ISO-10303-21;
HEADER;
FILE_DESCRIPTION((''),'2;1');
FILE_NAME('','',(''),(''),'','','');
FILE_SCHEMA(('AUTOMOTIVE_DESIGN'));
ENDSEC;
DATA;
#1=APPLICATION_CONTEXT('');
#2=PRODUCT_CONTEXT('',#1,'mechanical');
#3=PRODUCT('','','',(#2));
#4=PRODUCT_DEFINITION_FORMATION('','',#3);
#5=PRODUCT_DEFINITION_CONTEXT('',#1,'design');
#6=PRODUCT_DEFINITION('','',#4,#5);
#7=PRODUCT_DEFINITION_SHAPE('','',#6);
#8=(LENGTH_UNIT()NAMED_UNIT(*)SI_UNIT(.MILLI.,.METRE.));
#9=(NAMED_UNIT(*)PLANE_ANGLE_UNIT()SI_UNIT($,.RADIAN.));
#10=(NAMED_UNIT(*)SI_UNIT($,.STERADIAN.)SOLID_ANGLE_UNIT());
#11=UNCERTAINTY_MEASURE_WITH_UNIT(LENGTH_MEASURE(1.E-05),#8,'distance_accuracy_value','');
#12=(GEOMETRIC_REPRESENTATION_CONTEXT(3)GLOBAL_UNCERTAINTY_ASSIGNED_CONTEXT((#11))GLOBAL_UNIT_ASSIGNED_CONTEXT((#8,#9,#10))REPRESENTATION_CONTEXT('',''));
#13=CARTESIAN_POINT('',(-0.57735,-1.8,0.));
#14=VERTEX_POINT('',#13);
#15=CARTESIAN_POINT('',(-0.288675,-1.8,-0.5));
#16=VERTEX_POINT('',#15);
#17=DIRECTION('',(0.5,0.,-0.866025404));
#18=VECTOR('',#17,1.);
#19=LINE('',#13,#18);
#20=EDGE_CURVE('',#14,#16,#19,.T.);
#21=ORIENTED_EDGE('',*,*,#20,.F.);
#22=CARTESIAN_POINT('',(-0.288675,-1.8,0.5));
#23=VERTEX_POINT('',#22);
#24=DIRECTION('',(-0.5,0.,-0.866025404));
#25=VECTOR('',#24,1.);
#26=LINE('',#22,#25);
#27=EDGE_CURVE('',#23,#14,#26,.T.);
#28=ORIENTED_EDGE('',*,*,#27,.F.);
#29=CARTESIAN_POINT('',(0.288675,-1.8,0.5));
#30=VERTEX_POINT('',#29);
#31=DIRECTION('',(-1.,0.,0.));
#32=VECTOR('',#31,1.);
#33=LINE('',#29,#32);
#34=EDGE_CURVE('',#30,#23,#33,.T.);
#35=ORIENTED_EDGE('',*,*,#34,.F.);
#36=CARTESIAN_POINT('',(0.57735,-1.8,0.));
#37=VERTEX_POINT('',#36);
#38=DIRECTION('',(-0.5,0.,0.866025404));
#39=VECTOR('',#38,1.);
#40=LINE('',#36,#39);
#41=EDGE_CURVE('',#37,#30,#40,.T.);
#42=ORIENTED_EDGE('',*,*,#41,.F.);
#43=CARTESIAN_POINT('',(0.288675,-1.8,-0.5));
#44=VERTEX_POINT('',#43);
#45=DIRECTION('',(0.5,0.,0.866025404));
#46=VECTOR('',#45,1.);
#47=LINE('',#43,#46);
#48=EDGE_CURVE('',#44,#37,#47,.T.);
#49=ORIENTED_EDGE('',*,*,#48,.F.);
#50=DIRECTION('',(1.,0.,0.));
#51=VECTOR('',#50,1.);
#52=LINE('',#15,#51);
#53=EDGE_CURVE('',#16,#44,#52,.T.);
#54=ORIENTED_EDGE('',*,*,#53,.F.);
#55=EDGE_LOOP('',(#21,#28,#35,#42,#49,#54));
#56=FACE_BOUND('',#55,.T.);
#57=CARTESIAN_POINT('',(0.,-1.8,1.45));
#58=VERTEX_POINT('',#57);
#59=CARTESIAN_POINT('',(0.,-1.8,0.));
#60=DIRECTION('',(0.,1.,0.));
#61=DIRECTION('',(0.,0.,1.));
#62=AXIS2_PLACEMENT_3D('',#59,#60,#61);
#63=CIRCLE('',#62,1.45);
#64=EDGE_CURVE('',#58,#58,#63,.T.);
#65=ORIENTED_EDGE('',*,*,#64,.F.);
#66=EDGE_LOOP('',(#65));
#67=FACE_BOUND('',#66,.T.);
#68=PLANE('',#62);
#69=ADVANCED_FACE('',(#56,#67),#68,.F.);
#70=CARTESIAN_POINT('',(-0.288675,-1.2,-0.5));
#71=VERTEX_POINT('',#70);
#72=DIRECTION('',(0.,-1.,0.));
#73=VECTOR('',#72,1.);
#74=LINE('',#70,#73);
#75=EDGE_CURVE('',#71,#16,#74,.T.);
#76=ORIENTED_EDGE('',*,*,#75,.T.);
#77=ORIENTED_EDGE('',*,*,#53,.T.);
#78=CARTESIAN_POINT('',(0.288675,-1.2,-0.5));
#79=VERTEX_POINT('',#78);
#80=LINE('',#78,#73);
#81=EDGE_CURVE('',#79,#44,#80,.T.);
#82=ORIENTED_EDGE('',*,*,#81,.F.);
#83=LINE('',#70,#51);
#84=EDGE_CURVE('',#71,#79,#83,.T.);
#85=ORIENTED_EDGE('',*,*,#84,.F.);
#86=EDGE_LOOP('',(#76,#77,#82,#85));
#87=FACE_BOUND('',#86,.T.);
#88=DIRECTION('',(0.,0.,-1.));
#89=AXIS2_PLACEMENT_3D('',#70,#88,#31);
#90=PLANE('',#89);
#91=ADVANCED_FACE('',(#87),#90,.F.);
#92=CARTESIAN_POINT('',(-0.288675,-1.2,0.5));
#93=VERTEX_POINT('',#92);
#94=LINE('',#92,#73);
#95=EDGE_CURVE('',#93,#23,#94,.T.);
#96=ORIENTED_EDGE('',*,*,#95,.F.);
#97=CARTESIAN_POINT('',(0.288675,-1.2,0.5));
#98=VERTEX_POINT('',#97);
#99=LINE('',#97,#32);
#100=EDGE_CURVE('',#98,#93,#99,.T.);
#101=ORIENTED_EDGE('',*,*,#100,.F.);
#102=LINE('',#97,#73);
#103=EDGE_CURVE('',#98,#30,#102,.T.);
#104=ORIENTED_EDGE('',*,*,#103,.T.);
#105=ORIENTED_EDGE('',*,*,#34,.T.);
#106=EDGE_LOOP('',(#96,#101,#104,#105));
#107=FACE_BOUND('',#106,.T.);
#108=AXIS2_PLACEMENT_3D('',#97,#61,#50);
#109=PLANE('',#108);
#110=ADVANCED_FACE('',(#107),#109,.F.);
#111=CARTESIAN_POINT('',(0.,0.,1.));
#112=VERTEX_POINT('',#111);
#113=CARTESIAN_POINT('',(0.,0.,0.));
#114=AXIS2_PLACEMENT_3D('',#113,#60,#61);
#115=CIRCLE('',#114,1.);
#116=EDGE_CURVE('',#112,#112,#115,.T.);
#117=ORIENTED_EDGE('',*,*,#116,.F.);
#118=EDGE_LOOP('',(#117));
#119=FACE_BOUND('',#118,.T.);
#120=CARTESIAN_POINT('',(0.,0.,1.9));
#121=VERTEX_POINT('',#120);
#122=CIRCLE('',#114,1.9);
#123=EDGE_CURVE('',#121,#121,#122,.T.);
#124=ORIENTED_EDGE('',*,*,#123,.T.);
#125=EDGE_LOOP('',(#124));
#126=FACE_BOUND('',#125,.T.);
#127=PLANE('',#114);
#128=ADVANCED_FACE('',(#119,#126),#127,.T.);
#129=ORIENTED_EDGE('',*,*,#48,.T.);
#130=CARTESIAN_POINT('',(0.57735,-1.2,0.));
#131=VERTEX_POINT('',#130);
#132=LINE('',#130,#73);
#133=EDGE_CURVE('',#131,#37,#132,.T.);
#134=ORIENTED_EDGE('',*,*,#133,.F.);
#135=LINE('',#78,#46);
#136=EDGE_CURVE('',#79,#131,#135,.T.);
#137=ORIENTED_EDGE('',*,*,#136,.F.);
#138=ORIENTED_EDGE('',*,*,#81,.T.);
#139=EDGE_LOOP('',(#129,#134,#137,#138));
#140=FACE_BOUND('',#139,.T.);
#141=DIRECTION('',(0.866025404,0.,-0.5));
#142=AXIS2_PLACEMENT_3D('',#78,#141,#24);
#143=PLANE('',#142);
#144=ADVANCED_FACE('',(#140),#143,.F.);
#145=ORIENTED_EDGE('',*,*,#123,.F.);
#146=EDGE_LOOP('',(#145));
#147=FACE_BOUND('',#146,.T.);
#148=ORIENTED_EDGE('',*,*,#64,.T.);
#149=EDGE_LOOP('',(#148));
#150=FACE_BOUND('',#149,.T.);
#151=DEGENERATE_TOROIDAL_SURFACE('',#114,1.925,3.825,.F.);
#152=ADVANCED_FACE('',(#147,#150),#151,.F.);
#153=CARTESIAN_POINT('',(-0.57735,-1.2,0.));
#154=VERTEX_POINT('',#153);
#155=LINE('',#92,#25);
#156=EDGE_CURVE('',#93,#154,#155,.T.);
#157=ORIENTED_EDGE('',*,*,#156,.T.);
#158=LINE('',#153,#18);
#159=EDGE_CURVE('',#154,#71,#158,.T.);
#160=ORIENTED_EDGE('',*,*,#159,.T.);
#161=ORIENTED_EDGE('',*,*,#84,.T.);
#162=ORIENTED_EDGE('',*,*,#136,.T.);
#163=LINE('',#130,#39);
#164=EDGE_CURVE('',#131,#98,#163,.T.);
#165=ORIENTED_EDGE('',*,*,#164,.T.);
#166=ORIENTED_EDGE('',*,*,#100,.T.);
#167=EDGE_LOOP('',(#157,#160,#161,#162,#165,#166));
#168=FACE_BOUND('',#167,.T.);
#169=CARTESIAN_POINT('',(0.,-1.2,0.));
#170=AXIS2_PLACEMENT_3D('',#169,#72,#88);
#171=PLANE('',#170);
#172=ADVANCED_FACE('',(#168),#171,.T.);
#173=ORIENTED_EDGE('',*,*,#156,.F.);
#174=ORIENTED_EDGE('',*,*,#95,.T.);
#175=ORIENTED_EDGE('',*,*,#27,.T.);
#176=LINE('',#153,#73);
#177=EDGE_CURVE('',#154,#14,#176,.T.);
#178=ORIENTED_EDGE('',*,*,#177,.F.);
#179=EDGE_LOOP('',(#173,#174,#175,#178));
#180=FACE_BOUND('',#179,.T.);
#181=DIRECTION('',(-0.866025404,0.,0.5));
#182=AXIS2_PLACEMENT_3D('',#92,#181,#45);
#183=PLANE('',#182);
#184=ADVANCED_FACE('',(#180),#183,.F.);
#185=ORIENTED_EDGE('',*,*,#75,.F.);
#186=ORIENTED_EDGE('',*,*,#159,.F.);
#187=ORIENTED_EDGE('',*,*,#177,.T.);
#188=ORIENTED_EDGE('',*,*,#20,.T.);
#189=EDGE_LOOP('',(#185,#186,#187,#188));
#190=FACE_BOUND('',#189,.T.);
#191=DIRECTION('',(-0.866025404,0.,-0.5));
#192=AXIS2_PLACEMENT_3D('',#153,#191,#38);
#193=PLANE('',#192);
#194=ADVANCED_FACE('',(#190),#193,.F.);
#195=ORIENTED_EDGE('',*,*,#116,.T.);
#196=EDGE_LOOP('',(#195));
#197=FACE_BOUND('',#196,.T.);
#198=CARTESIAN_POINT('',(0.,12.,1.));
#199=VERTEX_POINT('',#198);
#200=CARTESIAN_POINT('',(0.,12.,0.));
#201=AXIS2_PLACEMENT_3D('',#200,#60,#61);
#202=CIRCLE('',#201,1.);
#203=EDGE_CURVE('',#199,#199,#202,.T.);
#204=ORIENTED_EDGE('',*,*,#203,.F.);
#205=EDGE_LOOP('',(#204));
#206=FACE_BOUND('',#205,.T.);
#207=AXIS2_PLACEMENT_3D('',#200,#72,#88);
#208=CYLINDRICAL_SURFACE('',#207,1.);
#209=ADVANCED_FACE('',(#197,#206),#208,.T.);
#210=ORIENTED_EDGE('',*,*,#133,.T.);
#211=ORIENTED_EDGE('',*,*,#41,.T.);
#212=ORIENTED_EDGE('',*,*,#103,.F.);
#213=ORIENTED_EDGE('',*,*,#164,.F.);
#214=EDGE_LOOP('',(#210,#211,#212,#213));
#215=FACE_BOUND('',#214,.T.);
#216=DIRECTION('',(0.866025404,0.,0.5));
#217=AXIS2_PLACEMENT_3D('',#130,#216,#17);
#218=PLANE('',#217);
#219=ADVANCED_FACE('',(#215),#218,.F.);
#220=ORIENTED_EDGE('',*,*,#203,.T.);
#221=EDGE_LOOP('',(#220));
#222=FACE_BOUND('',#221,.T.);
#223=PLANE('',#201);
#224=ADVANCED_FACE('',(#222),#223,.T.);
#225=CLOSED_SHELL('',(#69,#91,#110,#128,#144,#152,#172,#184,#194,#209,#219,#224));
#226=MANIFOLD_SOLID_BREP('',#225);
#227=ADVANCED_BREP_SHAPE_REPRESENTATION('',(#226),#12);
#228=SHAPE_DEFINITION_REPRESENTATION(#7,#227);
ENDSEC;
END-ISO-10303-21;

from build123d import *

# Parameters (mm, degrees)
SKETCH_1_R          = 1
EXTRUDE_375_DEPTH   = 12
EXTRUDE_START       = -1.8
SKETCH_1_3_R        = 1.9
SKETCH_1_3_R_2      = 1
EXTRUDE_453_DEPTH   = 1.8
CUT_EXTRUDE_1_DEPTH = 0.6


with BuildPart() as part:
    # 草图1 → Extrude 375 (new body)
    with BuildSketch(Plane(origin=(0, 0, 0), x_dir=(1, 0, 0), z_dir=(0, 1, 0))):
        with Locations(Location((0, 0, 0), (0, 0, 270))):
            Circle(SKETCH_1_R)
    extrude(amount=EXTRUDE_375_DEPTH)

    # 草图1<3> → Extrude 453 (add)
    # profile 1 of 2: a face of its own
    with BuildSketch(Plane(origin=(0, 0, 0), x_dir=(1, 0, 0), z_dir=(0, 1, 0)).offset(EXTRUDE_START)):
        with Locations(Location((0, 0, 0), (0, 0, 270))):
            Circle(SKETCH_1_3_R)
        with Locations(Location((0, 0, 0), (0, 0, 270))):
            Circle(SKETCH_1_3_R_2, mode=Mode.SUBTRACT)
    # profile 2 of 2: a face of its own
    with BuildSketch(Plane(origin=(0, 0, 0), x_dir=(1, 0, 0), z_dir=(0, 1, 0)).offset(EXTRUDE_START)):
        with Locations(Location((0, 0, 0), (0, 0, 270))):
            Circle(SKETCH_1_3_R_2)
    extrude(amount=EXTRUDE_453_DEPTH)

    # 草图2 → 切除-旋转1 (revolve, cut)
    with BuildSketch(Plane.XY, mode=Mode.PRIVATE) as cut_revolve_1_sk:
        with BuildLine():
            Line((-1.9, 0), (-1.9, -1.8))
            Line((-1.9, -1.8), (-1.45, -1.8))
            ThreePointArc((-1.45, -1.8), (-1.785795063, -0.927698766), (-1.9, 0))
        make_face()
    revolve(cut_revolve_1_sk.sketch.rotate(Axis((0, 0, 0), (0, 1, 0)), 90), axis=Axis((0, 0, 0), (0, 1, 0)), mode=Mode.SUBTRACT)

    # 草图3 → 切除-拉伸1 (cut)
    with BuildSketch(Plane.XZ.offset(1.8)):
        Polygon((-0.288675135, -0.5), (0.288675135, -0.5), (0.577350269, 0), (0.288675135, 0.5), (-0.288675135, 0.5), (-0.577350269, 0), align=None)
    extrude(amount=-CUT_EXTRUDE_1_DEPTH, mode=Mode.SUBTRACT)


solid = part.part
